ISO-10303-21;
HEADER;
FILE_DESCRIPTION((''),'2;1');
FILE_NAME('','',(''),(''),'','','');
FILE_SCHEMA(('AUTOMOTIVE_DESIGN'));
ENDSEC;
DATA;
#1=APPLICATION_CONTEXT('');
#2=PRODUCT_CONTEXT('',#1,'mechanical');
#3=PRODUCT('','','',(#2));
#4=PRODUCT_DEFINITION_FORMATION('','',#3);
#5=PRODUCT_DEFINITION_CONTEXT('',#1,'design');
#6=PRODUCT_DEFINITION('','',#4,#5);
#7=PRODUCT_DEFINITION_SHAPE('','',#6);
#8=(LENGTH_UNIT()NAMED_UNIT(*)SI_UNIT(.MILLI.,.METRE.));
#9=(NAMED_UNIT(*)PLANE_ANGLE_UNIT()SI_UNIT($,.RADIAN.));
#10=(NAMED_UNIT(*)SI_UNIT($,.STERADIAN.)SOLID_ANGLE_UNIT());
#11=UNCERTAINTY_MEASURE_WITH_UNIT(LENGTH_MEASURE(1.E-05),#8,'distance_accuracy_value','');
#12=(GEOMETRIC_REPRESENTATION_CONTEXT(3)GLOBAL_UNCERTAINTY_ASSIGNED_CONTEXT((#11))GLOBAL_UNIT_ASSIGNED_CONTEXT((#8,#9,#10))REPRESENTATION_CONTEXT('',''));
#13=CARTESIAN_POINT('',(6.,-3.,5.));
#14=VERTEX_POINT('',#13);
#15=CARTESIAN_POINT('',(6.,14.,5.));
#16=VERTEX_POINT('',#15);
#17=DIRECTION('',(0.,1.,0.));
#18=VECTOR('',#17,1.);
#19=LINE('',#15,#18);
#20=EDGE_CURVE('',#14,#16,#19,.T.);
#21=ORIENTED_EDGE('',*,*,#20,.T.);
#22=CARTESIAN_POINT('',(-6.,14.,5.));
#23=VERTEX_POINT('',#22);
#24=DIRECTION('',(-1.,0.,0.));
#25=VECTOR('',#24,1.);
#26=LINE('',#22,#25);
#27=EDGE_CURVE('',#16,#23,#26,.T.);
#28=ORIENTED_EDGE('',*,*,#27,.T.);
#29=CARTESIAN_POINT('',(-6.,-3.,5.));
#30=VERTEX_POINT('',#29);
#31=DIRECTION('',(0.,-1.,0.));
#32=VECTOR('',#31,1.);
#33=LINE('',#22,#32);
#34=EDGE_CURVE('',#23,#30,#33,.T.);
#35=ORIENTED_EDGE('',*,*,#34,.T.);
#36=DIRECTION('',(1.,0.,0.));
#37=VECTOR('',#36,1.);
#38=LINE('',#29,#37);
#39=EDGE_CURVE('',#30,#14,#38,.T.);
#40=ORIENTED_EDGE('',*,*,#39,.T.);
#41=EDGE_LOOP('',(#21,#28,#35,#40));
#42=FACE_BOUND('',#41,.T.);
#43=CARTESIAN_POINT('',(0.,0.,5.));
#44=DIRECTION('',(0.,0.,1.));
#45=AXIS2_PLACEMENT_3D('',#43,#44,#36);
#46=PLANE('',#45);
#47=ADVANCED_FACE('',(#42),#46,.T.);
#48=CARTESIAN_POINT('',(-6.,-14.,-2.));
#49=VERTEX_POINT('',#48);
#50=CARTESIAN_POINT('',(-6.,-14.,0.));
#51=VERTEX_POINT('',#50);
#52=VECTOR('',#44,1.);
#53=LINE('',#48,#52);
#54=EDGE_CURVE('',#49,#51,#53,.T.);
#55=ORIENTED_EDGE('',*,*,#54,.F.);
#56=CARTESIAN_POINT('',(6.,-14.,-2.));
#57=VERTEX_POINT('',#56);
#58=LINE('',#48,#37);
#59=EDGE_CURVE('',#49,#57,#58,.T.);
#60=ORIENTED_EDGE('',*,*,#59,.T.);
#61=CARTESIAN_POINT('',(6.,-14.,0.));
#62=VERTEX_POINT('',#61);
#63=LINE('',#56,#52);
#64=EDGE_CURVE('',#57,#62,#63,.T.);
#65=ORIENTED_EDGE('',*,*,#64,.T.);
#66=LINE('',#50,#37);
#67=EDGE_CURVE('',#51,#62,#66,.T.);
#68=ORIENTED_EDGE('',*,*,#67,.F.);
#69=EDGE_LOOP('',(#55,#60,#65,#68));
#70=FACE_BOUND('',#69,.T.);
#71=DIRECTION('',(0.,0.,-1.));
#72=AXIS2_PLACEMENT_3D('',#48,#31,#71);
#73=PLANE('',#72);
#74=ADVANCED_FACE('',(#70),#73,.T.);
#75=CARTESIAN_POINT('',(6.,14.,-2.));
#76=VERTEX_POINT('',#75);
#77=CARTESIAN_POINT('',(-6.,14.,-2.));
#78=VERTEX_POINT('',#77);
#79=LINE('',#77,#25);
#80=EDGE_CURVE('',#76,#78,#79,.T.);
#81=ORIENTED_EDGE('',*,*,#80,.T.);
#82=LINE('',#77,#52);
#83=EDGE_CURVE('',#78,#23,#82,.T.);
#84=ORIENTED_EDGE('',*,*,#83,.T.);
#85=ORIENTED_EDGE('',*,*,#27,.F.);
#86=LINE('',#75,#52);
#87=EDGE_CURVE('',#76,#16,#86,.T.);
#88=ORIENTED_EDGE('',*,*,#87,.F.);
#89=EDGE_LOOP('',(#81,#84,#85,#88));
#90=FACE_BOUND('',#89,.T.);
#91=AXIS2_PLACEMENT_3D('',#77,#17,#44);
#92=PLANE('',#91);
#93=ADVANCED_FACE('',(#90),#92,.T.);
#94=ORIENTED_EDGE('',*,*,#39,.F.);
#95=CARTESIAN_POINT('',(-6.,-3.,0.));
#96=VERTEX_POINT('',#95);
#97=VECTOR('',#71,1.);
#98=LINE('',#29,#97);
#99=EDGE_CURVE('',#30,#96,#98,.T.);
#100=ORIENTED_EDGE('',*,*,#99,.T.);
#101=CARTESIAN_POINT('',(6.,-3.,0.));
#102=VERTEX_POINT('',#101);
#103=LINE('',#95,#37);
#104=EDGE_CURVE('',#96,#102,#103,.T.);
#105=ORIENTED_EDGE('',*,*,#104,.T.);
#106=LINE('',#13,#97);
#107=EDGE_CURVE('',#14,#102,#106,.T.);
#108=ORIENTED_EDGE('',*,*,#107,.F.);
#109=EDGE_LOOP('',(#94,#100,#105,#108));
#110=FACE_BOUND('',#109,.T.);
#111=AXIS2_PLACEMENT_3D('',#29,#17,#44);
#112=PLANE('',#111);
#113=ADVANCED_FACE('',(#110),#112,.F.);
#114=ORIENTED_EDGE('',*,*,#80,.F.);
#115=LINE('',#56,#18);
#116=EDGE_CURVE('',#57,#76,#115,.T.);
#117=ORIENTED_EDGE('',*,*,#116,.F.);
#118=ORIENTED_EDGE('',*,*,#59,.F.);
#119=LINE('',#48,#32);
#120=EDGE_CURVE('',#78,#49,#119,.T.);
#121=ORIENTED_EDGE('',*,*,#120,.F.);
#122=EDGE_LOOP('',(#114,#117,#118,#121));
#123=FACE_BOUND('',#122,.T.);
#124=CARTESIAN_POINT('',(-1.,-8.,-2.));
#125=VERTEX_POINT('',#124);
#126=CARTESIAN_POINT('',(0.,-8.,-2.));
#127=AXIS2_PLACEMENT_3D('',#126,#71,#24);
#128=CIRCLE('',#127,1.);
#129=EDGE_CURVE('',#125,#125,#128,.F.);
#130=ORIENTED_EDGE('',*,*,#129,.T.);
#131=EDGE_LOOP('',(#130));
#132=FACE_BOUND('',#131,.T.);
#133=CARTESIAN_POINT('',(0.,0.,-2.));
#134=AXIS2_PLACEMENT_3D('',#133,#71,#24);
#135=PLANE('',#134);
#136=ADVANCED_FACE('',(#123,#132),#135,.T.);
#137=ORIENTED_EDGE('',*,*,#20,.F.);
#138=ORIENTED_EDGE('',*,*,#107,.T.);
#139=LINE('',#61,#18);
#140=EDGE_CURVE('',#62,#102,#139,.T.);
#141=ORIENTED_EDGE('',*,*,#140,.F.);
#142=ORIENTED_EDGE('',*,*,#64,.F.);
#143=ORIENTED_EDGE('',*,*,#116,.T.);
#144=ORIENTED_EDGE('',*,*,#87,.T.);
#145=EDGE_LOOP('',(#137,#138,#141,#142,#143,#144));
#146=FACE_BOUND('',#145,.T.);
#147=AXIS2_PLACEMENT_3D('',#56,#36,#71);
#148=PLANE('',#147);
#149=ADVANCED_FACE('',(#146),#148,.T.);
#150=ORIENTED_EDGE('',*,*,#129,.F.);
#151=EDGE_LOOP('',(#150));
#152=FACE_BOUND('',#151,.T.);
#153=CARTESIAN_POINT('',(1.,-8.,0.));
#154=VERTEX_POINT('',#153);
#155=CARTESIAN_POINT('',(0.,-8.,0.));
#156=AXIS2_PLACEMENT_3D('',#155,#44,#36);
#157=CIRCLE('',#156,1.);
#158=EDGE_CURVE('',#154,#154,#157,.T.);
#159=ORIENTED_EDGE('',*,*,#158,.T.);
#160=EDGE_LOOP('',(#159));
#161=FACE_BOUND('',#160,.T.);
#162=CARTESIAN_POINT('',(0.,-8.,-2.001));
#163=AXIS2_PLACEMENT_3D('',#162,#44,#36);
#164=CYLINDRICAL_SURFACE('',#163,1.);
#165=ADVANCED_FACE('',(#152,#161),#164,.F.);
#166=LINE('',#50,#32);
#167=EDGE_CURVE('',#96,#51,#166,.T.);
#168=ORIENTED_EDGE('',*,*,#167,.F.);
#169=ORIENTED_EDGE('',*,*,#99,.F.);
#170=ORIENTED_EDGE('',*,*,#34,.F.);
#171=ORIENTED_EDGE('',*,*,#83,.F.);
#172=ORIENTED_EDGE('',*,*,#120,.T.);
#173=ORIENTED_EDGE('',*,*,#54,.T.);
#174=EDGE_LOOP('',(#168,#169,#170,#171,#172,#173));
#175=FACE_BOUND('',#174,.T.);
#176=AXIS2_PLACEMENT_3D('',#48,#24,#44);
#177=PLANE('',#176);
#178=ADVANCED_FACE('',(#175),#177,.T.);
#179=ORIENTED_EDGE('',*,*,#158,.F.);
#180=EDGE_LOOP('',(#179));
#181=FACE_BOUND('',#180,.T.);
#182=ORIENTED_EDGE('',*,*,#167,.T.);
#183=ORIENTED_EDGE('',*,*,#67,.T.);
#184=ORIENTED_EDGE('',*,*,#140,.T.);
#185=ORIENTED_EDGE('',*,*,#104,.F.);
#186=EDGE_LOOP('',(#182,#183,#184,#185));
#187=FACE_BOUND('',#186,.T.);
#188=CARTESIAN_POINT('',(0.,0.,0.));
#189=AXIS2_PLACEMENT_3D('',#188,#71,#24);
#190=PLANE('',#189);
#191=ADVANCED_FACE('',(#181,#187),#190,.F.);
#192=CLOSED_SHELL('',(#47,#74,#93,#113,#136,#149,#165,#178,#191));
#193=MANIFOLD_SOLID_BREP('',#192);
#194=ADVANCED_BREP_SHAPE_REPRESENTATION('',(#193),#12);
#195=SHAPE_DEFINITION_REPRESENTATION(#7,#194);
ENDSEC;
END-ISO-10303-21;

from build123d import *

# Parameters (mm, degrees)
SKETCH_1_W          = 12
SKETCH_1_H          = 28
EXTRUDE_1_DEPTH     = 2
SKETCH_2_W          = 12
SKETCH_2_H          = 17
EXTRUDE_2_DEPTH     = 5
CUT_EXTRUDE_1_REACH = 18.031
SKETCH_3_R          = 1


with BuildPart() as part:
    # 草图1 → 凸台-拉伸1 (new body)
    with BuildSketch(Plane.XY):
        Rectangle(SKETCH_1_W, SKETCH_1_H)
    extrude(amount=-EXTRUDE_1_DEPTH)

    # 草图2 → 凸台-拉伸2 (add)
    with BuildSketch(Plane.XY):
        with Locations((0, 5.5)):
            Rectangle(SKETCH_2_W, SKETCH_2_H)
    extrude(amount=EXTRUDE_2_DEPTH)

    # 草图3 → 切除-拉伸1 (cut, up to next)
    with BuildSketch(Plane.XY, mode=Mode.PRIVATE) as cut_extrude_1_sk1:
        with Locations((0, -8)):
            Circle(SKETCH_3_R)
    cut_extrude_1_tool1 = extrude(cut_extrude_1_sk1.sketch, amount=-CUT_EXTRUDE_1_REACH, mode=Mode.PRIVATE) & part.part
    add(cut_extrude_1_tool1.solids().sort_by_distance((0, -8, 0))[0], mode=Mode.SUBTRACT)


solid = part.part
